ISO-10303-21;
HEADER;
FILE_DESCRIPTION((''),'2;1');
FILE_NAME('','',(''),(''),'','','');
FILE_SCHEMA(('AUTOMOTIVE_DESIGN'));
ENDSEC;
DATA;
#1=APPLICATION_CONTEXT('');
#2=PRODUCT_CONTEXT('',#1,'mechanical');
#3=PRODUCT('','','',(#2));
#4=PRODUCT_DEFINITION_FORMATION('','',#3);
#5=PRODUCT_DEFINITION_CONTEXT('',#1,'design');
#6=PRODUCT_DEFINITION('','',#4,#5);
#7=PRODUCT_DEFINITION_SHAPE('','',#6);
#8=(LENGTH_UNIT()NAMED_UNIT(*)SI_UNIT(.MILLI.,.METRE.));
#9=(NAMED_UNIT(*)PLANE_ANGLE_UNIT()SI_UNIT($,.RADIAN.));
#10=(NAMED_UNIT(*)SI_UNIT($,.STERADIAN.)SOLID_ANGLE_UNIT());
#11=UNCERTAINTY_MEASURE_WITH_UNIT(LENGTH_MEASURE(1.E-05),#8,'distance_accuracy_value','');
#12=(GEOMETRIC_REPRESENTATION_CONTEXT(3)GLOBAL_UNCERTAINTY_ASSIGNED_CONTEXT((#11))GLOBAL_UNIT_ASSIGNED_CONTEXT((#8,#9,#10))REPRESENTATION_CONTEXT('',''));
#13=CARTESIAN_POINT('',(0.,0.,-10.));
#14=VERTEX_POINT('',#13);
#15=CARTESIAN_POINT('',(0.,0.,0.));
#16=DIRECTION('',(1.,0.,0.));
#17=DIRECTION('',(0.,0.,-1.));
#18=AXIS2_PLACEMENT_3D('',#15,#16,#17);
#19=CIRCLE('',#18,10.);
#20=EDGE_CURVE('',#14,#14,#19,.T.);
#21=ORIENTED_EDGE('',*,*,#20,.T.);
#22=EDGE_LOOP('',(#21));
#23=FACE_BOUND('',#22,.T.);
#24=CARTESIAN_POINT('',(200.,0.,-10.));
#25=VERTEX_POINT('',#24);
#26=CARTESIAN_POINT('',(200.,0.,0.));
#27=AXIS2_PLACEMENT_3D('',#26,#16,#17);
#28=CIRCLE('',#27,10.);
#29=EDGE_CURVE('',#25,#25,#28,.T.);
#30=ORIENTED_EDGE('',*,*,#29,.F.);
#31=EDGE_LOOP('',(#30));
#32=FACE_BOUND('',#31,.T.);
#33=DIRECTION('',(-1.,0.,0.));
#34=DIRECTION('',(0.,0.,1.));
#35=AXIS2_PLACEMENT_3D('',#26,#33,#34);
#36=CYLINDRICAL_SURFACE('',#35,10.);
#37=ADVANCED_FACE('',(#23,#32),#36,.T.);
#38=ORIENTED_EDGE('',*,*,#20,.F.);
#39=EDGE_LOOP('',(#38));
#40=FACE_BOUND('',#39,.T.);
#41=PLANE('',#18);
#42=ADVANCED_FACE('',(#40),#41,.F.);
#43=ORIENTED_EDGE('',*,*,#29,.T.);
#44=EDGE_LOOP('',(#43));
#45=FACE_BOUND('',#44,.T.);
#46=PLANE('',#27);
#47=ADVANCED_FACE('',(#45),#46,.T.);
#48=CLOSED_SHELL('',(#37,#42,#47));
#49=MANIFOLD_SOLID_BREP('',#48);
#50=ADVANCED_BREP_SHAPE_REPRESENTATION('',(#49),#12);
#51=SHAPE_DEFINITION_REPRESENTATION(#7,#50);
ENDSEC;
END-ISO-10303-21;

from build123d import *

# Parameters (mm, degrees)
SKETCH1_R      = 10
EXTRUDE1_DEPTH = 200


with BuildPart() as part:
    # Sketch1 → Extrude1 (new body)
    with BuildSketch(Plane(origin=(0, 0, 0), x_dir=(0, 0, -1), z_dir=(1, 0, 0))):
        Circle(SKETCH1_R)
    extrude(amount=EXTRUDE1_DEPTH)


solid = part.part
